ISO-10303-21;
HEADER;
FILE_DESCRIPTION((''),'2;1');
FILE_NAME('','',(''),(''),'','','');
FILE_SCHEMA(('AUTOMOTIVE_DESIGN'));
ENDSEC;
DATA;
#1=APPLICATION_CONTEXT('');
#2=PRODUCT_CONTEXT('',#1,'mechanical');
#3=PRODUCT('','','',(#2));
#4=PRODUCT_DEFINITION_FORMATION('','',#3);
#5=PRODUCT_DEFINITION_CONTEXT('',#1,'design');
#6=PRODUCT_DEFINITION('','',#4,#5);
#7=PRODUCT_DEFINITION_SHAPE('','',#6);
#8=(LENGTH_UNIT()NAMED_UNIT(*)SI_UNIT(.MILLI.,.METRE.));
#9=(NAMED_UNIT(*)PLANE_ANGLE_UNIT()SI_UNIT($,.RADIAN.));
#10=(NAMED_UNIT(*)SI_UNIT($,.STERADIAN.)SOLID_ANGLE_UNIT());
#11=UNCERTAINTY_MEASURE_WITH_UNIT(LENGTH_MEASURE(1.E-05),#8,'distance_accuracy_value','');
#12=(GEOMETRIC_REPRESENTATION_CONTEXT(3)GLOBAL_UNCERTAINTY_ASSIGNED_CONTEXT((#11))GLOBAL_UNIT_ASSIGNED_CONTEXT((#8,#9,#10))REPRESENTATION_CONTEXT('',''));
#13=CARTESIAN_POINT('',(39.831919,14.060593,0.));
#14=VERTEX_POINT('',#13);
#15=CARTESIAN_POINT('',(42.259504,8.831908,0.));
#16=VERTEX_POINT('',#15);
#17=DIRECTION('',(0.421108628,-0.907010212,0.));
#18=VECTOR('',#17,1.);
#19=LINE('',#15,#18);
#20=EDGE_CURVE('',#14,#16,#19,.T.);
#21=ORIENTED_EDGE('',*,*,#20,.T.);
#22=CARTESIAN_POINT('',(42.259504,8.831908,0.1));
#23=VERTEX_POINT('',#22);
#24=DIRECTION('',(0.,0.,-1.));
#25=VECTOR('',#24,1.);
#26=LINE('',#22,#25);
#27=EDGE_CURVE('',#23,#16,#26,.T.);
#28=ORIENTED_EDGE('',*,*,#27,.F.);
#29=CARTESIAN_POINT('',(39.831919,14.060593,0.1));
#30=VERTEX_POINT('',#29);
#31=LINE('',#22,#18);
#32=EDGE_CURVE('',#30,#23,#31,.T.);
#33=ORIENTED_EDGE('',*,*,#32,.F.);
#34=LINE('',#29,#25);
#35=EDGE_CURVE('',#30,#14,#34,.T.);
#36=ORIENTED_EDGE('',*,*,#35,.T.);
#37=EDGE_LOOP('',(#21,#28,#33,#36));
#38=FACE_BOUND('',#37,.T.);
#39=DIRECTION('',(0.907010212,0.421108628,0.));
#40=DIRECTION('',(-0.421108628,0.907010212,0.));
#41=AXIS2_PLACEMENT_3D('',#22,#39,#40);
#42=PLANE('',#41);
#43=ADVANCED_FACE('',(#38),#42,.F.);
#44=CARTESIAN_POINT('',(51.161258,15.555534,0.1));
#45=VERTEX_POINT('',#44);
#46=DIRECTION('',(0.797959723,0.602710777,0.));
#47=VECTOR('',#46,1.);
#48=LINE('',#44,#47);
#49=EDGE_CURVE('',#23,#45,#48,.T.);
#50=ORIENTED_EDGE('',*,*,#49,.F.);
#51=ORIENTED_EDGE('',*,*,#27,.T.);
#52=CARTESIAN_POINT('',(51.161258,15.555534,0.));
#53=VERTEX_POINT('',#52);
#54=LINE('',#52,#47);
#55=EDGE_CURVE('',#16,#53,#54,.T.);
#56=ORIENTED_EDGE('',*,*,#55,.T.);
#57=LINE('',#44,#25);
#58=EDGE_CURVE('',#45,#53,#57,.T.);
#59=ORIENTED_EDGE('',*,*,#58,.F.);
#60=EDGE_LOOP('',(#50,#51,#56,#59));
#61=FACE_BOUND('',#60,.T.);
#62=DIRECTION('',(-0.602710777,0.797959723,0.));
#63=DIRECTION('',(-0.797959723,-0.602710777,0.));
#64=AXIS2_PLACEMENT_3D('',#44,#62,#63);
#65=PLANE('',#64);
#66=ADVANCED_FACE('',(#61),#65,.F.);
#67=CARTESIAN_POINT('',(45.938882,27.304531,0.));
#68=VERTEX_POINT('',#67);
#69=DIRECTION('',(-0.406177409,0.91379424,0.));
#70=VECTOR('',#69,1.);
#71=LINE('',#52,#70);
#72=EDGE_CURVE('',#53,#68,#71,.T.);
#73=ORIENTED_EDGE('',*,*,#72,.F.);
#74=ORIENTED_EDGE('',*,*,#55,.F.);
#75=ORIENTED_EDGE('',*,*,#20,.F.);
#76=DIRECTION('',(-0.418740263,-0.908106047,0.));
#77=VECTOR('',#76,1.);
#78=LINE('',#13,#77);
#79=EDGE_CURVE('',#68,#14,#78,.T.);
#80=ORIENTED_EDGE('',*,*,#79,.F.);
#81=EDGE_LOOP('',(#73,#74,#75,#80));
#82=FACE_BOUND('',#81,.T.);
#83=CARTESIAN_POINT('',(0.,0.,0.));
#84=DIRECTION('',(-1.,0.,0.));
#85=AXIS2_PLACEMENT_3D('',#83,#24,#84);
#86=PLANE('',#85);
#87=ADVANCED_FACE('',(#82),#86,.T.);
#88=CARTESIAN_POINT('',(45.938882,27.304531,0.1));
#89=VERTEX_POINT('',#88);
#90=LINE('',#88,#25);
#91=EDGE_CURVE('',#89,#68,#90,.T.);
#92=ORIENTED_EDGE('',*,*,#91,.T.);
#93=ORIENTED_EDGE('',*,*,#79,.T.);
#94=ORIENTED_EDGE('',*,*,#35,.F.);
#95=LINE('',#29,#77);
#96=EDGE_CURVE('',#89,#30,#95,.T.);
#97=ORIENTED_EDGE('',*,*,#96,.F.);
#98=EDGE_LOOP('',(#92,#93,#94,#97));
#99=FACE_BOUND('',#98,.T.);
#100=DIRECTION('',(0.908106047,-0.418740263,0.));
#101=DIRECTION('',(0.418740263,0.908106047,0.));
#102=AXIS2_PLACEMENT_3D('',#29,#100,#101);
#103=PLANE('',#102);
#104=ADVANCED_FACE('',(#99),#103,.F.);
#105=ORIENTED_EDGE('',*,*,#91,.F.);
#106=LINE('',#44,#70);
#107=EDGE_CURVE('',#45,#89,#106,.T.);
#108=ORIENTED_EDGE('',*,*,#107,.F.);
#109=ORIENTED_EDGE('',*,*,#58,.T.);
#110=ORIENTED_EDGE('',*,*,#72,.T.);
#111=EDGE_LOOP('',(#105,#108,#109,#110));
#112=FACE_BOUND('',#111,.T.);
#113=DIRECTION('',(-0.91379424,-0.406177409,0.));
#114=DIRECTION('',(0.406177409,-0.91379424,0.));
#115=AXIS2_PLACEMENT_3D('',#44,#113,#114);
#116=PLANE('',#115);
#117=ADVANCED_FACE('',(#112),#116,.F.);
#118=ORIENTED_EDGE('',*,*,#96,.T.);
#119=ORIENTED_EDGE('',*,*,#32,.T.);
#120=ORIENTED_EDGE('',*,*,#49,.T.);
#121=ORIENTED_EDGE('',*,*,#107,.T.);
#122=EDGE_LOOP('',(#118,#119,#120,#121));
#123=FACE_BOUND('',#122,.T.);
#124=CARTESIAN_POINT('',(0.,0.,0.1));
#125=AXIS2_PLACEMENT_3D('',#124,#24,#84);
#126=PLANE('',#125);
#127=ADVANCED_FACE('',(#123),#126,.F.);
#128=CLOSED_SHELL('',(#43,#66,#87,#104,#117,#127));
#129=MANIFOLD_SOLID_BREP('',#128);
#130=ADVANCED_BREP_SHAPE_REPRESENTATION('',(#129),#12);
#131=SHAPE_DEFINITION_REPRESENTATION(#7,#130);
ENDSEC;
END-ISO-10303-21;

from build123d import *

# Parameters (mm, degrees)
SALIENTE_EXTRUIR1_DEPTH = 0.1


with BuildPart() as part:
    # Model → Saliente-Extruir1 (new body)
    with BuildSketch(Plane.XY):
        Polygon((51.161258051, 15.555534113), (45.938881991, 27.30453113), (39.831918887, 14.06059302), (42.259504026, 8.831907672), align=None)
    extrude(amount=SALIENTE_EXTRUIR1_DEPTH)


solid = part.part
